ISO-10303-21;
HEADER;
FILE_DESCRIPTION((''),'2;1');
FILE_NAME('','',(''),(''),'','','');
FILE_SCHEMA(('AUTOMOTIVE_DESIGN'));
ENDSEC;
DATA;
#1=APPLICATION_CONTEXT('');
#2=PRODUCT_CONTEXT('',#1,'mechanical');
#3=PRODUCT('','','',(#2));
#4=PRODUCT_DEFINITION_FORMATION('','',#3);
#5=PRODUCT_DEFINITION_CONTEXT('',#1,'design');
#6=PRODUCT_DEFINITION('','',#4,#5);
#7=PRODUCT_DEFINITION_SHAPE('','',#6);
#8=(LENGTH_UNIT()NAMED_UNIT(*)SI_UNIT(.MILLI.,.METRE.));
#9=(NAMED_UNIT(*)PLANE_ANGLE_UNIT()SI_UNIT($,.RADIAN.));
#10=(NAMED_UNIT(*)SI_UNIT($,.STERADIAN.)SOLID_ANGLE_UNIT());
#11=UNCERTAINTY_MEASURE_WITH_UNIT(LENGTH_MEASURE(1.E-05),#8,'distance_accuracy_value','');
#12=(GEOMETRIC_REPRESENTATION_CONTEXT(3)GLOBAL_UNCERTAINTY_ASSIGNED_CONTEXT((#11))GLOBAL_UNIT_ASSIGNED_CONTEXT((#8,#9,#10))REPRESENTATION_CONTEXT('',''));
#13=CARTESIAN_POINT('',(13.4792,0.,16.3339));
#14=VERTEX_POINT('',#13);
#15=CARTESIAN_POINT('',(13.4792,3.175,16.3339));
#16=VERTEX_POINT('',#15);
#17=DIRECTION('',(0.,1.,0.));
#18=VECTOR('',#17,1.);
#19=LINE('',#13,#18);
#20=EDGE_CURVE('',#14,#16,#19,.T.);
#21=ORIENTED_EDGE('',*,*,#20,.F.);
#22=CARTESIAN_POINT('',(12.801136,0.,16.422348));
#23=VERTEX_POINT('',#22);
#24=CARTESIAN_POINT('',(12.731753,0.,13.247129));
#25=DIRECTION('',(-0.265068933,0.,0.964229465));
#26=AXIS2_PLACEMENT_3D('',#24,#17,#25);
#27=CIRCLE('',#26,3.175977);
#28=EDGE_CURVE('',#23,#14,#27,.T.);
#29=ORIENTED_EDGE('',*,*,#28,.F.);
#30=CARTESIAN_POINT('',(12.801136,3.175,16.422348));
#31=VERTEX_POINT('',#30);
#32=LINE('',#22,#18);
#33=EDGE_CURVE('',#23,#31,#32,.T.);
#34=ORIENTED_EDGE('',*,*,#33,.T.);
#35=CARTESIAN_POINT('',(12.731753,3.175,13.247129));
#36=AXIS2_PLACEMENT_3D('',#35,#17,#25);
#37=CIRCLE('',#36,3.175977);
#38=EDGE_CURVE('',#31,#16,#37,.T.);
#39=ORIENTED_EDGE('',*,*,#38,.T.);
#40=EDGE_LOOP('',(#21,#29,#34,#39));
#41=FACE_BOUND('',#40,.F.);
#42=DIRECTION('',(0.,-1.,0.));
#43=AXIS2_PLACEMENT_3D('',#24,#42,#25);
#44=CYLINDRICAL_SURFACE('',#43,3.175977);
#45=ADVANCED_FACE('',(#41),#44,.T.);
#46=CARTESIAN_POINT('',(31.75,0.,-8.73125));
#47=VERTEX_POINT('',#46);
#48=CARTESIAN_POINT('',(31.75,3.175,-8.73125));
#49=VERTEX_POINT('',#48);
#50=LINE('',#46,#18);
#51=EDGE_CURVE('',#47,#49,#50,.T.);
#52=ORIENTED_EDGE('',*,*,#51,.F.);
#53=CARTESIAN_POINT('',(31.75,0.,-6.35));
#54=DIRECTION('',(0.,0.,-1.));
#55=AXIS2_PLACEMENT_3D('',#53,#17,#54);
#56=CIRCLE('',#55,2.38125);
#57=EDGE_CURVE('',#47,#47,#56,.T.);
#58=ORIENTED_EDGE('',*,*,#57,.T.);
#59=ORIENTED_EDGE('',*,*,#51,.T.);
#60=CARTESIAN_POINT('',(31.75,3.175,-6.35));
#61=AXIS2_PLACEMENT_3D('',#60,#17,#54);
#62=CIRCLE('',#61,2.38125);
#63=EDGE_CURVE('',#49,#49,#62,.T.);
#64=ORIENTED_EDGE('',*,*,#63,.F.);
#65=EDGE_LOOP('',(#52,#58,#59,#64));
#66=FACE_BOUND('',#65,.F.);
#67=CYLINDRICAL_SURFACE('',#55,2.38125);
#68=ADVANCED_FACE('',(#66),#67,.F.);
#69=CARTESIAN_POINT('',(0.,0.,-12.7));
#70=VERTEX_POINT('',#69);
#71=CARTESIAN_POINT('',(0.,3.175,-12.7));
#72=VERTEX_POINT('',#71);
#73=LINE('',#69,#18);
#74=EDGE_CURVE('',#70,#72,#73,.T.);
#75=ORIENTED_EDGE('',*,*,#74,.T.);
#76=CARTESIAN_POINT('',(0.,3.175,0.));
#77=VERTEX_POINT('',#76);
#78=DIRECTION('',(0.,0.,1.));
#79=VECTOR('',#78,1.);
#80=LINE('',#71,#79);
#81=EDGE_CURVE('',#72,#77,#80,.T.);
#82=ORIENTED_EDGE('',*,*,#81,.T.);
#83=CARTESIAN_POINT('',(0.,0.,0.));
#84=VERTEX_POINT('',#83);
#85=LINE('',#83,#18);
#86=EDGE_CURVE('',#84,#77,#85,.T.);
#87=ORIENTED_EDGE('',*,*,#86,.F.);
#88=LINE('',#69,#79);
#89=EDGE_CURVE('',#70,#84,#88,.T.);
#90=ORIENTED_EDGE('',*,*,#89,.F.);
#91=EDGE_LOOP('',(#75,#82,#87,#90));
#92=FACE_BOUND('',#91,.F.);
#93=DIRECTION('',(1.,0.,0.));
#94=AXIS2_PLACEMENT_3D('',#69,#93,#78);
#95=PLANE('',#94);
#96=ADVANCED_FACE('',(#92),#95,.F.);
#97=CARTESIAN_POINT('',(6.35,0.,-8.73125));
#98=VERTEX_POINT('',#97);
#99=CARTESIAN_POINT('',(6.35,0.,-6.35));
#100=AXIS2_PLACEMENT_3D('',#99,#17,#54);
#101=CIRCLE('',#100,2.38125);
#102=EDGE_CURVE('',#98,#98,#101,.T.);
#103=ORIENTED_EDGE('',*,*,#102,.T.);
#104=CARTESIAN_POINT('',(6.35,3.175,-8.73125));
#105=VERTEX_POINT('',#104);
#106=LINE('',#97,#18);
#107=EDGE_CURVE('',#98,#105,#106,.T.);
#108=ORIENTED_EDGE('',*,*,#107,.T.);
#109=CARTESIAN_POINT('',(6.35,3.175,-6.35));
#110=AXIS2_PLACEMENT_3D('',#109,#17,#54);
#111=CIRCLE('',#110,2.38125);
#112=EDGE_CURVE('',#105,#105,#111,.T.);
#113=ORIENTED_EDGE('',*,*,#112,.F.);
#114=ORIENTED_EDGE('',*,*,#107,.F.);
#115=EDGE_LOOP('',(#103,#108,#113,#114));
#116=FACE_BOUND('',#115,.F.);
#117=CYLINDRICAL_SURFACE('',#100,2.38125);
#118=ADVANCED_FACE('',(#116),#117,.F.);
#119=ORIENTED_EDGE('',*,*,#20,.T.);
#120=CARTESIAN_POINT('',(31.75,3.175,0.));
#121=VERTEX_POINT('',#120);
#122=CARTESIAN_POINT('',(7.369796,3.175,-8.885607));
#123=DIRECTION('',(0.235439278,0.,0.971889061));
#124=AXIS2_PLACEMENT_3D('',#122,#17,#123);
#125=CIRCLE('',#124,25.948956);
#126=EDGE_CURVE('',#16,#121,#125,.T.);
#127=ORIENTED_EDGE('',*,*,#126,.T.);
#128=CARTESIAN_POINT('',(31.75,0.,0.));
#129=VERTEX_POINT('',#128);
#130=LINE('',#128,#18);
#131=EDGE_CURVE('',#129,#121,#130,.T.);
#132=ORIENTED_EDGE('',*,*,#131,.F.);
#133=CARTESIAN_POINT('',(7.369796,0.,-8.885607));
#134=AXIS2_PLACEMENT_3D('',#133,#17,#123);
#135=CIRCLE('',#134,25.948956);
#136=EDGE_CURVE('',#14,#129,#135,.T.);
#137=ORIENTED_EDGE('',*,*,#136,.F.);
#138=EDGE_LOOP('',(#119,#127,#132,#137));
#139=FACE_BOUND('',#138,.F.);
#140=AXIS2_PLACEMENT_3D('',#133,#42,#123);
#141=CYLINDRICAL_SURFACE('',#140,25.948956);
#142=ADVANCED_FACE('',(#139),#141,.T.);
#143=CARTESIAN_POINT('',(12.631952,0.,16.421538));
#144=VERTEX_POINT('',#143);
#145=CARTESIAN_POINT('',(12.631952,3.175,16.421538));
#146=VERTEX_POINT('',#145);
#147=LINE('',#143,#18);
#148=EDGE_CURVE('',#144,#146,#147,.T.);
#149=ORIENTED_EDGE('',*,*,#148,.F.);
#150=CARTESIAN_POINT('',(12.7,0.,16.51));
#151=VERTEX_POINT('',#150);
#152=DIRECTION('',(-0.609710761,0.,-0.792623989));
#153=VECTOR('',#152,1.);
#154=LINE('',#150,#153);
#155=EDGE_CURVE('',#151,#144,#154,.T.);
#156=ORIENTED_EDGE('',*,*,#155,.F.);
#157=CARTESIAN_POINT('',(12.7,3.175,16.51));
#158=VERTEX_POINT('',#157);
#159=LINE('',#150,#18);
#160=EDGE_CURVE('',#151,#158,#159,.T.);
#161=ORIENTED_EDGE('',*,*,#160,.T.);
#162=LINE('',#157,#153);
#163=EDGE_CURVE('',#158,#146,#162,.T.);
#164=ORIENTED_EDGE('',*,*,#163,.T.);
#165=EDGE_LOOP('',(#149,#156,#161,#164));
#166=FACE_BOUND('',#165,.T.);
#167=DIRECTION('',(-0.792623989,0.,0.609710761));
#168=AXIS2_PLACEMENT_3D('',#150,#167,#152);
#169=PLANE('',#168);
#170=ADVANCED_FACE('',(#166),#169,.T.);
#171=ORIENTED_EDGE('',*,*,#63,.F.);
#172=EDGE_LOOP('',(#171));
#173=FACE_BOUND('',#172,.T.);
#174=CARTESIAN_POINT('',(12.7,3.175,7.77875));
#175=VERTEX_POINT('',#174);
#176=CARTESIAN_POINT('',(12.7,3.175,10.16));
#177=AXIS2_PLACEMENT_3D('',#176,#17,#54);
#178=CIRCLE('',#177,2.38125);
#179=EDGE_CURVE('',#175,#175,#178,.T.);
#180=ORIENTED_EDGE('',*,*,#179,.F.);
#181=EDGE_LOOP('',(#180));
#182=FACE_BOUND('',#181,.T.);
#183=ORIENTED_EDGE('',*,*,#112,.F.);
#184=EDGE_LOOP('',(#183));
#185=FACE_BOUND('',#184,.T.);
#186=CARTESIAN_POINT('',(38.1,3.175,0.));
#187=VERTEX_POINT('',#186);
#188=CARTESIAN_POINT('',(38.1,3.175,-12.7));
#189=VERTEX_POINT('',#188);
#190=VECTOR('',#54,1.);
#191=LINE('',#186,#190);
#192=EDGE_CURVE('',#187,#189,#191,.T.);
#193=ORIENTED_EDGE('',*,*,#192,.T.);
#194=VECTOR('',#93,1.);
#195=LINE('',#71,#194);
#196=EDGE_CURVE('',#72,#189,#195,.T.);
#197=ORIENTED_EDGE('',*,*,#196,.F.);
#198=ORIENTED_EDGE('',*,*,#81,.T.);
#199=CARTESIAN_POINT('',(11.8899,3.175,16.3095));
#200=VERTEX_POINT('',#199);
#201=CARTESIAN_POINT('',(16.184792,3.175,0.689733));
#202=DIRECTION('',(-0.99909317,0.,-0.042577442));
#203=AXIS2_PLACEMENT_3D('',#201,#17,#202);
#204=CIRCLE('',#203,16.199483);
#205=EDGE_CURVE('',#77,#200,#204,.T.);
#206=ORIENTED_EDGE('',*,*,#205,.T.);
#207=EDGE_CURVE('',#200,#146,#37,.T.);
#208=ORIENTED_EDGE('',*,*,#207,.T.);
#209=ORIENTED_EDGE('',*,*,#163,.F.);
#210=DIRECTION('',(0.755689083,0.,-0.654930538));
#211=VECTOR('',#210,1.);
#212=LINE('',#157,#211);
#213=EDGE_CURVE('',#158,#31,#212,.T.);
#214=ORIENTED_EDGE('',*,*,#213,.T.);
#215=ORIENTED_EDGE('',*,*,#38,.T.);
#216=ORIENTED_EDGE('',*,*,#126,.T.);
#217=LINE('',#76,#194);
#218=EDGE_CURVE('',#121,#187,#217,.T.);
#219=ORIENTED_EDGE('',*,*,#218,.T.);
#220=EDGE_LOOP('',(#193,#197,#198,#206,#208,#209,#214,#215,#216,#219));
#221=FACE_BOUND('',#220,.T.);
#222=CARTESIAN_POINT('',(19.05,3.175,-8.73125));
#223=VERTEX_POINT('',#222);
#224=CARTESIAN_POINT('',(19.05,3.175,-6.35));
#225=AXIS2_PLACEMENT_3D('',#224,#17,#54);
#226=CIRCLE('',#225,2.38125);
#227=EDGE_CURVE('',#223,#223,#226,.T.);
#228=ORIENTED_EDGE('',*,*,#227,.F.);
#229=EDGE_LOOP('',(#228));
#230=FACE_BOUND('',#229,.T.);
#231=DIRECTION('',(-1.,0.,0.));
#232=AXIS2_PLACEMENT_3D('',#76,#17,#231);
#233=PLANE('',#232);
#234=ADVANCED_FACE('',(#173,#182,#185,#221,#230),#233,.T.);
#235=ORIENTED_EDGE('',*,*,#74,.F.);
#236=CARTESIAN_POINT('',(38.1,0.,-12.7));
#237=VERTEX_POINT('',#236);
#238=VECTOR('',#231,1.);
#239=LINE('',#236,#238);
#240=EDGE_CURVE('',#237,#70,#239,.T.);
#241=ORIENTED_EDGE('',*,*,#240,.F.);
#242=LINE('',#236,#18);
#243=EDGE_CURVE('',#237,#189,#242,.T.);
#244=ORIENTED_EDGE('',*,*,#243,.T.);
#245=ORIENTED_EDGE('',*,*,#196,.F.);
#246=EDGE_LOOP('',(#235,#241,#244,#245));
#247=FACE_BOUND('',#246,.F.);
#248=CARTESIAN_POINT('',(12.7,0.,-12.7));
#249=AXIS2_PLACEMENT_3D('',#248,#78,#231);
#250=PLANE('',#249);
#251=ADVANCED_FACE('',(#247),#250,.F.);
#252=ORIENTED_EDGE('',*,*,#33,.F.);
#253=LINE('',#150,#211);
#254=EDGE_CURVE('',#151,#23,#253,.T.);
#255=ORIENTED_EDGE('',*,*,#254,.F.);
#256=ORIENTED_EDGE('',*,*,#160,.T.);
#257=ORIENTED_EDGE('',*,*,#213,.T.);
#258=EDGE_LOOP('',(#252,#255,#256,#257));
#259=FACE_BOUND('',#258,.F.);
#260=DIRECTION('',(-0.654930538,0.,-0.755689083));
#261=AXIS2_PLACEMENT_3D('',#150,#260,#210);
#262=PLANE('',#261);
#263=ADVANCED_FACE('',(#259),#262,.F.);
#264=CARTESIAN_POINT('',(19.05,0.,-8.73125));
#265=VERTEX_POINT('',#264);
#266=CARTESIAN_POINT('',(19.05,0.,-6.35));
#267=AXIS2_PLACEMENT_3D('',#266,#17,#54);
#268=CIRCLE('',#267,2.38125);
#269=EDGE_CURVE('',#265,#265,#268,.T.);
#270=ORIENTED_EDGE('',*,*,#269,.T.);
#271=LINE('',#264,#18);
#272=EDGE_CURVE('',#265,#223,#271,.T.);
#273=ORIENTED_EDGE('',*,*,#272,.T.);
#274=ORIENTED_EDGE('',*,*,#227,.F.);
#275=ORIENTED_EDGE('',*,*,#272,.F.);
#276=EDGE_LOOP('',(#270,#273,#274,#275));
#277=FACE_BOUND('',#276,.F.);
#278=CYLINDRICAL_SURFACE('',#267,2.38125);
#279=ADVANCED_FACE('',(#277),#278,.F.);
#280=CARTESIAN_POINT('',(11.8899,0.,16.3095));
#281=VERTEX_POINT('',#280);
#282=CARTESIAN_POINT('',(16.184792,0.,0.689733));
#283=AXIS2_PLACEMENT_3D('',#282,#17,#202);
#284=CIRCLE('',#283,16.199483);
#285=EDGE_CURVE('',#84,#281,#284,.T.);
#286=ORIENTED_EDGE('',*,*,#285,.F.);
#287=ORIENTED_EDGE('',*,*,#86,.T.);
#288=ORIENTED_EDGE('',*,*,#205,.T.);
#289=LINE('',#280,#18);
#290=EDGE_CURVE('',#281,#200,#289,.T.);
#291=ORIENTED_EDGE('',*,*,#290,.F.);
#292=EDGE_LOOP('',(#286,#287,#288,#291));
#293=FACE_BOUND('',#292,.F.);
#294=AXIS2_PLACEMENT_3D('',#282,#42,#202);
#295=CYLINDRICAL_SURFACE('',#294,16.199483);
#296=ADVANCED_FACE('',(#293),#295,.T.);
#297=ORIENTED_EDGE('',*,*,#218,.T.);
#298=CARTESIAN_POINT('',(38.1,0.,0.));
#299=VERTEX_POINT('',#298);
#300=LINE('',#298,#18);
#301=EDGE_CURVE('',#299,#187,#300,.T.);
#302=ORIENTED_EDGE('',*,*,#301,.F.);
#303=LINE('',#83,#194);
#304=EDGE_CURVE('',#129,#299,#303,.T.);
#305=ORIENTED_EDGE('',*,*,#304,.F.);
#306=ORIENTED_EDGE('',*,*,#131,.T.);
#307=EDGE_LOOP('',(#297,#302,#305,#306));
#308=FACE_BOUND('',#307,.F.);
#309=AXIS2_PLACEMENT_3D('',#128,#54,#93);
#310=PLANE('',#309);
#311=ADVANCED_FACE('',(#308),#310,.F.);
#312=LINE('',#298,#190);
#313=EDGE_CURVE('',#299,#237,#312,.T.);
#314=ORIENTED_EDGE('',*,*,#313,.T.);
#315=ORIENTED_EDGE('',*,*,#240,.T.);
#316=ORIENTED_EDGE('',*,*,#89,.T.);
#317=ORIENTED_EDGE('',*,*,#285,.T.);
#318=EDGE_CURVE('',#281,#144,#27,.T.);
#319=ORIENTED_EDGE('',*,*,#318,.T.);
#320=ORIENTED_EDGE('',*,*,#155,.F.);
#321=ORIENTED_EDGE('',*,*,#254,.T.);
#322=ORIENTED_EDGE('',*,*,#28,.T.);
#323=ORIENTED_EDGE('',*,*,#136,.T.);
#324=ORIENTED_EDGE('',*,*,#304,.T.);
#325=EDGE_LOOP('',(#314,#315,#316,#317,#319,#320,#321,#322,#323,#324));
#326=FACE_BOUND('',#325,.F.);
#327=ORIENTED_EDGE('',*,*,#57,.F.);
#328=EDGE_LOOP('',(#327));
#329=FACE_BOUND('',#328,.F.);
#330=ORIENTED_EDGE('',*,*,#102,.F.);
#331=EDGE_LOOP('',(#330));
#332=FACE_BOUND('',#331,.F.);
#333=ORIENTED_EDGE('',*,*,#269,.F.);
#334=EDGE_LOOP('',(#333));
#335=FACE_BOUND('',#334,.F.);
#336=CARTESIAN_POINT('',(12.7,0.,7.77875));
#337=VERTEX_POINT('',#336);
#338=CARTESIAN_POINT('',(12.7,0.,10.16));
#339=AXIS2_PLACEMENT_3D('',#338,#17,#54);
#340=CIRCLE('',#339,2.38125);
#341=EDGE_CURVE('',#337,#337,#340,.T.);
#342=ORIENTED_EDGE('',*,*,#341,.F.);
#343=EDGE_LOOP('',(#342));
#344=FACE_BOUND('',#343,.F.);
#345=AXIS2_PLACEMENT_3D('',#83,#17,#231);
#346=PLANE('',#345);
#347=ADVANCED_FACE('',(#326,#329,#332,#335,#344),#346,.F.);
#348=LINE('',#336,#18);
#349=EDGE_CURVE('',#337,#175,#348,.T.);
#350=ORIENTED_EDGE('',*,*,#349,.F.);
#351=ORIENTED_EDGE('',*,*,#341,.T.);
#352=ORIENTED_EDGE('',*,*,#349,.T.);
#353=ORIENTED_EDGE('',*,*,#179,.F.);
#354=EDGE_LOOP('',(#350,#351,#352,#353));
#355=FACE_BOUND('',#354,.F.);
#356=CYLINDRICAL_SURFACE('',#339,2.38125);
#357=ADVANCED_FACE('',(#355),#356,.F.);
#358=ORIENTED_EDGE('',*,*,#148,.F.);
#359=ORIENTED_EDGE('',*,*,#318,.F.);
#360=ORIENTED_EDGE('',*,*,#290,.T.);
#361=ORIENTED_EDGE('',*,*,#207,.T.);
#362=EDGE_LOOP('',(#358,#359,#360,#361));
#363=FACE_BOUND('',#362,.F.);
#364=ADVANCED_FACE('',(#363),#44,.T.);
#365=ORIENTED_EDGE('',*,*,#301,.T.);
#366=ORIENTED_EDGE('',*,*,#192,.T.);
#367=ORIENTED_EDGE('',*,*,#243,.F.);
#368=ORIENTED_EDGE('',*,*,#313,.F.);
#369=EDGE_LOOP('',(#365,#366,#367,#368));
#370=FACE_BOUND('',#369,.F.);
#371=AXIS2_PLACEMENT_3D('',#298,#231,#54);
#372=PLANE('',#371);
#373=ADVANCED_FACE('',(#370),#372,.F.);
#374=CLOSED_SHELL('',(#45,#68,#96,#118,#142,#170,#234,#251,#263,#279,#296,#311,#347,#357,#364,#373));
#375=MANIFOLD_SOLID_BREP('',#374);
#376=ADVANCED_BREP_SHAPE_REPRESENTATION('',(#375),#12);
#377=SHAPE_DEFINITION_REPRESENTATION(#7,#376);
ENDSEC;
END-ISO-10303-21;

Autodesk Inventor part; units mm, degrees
ref_plane "YZ Plane" through (0, 0, 0) normal (1, 0, 0) x (0, 1, 0)
ref_plane "XZ Plane" through (0, 0, 0) normal (0, 1, 0) x (-1, 0, 0)
ref_plane "XY Plane" through (0, 0, 0) normal (0, 0, 1) x (1, 0, 0)
sketch "Sketch1" plane through (0, 0, 0) normal (0, 1, 0) x (-1, 0, 0)
  line L0 (0, 0) -> (-38.1, 0)
  line L1 (-38.1, 0) -> (-38.1, -12.7)
  line L2 (-38.1, -12.7) -> (0, -12.7)
  line L3 (0, -12.7) -> (0, 0)
  line L4 (0, 0) -> (-12.7, 0)
  line L5 (0, 0) -> (-12.7, 0)
  line L6 (-12.7, 0) -> (-12.7, 10.16)
  line L7 (-12.7, 0) -> (-12.7, 0)
  line L8 (-12.7, 0) -> (-12.7, 10.16)
  line L9 (-12.7, 0) -> (-25.4, 0)
  line L10 (-12.7, 10.16) -> (-12.7, 16.51)
  line L11 (-12.7, 0) -> (0, -12.7)
  line L12 (-12.7, -12.7) -> (-25.4, 0)
  line L13 (-25.4, 0) -> (-25.4, -12.7)
  line L14 (-38.1, 0) -> (-25.4, -12.7)
  line L15 (-12.7, 16.51) -> (0, 0)
  line L16 (-12.7, 16.51) -> (-31.75, 0)
  arc A0 (0, 0) -> (-11.8899, 16.3095) centre (-16.1849, 0.6897) ccw
  arc A1 (-13.4792, 16.3339) -> (-31.75, 0) centre (-7.3698, -8.8856) ccw
  arc A2 (-11.8899, 16.3095) -> (-13.4792, 16.3339) centre (-12.7316, 13.2482) ccw
  point P0 (-31.75, -6.35)
  point P1 (-19.05, -6.35)
  point P2 (-6.35, -6.35)
  point P3 (-12.8011, 16.4224)
  point P4 (-12.7, 16.423)
  point P5 (-12.632, 16.4216)
  dimension "d0" = 38.1
  dimension "d1" = 12.7
  dimension "d2" = 12.7
  dimension "d3" = 12.7
  dimension "d4" = 10.16
  dimension "d6" = 12.7
  dimension "d7" = 6.35
  dimension "d20" = 3.175
extrude "Extrusion1" add sketch "Sketch1" along normal blind 3.175
hole "Hole1" at (12.7, 0, 10.16) at (6.35, 0, -6.35) at (19.05, 0, -6.35) at (31.75, 0, -6.35) direction (0, 1, 0) diameter 4.7625 end through all
properties part number "wingpiece1"
